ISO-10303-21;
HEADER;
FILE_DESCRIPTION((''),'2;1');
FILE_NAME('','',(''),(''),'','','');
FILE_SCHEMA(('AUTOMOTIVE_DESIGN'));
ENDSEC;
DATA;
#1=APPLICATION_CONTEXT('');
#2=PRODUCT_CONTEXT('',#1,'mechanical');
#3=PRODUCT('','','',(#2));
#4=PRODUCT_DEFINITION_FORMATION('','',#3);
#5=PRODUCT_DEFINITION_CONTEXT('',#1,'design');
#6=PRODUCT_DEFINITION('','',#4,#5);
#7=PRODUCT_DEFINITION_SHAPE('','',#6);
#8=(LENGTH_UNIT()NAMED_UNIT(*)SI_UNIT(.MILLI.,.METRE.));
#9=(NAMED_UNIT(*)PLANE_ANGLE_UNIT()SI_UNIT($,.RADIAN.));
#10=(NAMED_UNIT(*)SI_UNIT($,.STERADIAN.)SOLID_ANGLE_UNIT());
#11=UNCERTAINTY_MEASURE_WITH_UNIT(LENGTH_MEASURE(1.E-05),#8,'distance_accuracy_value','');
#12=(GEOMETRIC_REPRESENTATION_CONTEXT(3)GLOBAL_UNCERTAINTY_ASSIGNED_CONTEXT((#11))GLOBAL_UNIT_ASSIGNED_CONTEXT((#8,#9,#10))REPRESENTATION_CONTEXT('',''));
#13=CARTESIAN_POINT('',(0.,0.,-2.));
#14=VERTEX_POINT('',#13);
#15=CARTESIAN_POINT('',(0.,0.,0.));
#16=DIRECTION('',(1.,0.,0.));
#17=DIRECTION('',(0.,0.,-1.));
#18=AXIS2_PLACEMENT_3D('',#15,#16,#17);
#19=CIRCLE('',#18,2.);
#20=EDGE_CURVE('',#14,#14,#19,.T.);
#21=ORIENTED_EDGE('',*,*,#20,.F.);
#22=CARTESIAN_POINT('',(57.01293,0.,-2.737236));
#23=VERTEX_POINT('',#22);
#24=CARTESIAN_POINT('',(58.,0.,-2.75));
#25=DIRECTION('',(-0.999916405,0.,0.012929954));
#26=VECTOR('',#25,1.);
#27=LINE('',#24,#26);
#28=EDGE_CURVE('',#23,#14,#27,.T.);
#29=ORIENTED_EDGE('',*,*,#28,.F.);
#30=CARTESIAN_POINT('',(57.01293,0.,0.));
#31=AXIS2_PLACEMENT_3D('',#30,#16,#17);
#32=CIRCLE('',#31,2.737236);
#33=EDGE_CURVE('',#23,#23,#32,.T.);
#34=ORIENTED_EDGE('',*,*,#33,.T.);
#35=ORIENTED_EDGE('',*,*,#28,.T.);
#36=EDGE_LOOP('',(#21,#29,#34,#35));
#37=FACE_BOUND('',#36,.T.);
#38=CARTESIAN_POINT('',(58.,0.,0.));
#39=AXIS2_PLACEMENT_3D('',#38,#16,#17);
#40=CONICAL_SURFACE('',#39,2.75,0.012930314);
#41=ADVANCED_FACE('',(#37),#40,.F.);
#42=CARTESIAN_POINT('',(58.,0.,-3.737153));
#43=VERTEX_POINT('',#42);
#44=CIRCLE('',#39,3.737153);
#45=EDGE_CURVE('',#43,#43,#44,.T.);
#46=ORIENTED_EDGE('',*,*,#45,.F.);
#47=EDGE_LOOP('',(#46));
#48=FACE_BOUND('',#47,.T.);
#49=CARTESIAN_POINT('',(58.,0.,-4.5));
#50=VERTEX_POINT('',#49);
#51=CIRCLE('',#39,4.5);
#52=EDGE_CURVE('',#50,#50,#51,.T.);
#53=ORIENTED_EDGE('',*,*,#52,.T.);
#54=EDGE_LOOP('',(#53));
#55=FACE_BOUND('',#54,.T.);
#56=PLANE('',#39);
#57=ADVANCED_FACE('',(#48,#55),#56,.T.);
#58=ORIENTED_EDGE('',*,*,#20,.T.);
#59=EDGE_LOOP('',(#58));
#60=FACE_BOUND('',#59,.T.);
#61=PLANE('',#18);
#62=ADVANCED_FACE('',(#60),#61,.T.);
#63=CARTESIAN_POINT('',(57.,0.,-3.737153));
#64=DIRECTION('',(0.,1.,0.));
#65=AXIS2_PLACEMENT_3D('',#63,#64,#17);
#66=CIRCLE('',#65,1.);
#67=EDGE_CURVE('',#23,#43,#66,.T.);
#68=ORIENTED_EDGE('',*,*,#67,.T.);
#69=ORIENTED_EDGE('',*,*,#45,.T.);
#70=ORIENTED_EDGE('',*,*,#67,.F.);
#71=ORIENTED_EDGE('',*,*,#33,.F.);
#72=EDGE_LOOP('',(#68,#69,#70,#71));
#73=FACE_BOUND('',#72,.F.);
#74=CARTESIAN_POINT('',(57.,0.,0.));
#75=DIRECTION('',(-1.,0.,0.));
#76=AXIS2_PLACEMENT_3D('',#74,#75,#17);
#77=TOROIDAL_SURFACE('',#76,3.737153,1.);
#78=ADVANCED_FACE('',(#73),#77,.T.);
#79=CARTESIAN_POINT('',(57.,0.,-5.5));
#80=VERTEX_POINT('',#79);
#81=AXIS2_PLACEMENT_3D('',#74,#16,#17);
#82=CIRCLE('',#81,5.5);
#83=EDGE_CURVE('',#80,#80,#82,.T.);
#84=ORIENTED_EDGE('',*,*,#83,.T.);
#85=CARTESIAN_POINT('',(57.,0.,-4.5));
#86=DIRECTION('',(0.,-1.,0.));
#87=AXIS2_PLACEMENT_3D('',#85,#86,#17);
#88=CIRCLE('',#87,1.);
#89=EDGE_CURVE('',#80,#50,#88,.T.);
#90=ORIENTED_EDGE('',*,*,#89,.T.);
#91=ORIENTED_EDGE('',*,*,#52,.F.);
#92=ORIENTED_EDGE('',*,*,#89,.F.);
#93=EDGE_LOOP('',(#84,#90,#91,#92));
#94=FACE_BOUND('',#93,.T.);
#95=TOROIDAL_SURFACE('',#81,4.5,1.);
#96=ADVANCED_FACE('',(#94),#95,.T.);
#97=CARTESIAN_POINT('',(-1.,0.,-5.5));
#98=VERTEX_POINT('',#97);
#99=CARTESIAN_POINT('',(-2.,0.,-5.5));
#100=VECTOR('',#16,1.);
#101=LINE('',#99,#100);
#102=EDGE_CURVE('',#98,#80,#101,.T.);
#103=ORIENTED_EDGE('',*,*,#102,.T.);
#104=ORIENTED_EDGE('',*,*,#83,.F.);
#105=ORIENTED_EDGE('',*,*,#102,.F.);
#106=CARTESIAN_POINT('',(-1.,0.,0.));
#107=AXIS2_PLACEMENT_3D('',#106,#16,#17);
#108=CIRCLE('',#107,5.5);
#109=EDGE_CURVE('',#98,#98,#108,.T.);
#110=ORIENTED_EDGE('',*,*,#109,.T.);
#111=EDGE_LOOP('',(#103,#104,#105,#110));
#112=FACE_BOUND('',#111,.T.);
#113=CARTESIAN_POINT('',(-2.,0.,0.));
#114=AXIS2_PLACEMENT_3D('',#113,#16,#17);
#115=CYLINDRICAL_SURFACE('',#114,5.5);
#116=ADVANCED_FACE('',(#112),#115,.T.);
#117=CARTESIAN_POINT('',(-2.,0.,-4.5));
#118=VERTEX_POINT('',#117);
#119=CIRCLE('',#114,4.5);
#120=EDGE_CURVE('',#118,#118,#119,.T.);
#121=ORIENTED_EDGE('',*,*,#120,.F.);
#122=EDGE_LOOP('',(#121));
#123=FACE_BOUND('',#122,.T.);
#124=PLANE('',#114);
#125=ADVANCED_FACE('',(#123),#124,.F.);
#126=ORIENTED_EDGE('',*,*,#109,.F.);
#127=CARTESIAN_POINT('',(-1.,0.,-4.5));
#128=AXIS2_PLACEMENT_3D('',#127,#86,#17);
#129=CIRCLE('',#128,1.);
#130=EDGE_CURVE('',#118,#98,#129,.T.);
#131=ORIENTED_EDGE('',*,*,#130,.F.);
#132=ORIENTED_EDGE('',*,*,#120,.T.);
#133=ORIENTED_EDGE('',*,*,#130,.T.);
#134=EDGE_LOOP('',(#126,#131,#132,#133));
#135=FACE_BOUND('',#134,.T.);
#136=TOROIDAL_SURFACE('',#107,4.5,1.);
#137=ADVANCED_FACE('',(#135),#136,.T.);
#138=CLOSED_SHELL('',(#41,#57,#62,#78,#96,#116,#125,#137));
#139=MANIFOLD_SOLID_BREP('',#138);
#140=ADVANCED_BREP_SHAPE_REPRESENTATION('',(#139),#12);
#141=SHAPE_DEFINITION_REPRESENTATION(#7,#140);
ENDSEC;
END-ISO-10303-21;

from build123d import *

# Parameters (mm, degrees)
F2_R = 1


with BuildPart() as f1:
    # F0 (on Front) → F1 (revolve)
    with BuildSketch(Plane.XZ):
        Polygon((58, -2.75), (0, -2), (0, -5.5), (58, -5.5), align=None)
        Polygon((0, 0), (-2, 0), (-2, -5.5), (0, -5.5), (0, -2), align=None)
    revolve(axis=Axis((-1, 0, 0), (1, 0, 0)))

    # F2
    f2_edges = [f1.edges().sort_by_distance(p)[0] for p in [
        (58, 0, 5.5),
        (28, 0, -5.5),
        (-2, 0, 5.5),
        (58, 0, 2.75),
    ]]
    fillet(f2_edges, radius=F2_R)


solid = f1.part
